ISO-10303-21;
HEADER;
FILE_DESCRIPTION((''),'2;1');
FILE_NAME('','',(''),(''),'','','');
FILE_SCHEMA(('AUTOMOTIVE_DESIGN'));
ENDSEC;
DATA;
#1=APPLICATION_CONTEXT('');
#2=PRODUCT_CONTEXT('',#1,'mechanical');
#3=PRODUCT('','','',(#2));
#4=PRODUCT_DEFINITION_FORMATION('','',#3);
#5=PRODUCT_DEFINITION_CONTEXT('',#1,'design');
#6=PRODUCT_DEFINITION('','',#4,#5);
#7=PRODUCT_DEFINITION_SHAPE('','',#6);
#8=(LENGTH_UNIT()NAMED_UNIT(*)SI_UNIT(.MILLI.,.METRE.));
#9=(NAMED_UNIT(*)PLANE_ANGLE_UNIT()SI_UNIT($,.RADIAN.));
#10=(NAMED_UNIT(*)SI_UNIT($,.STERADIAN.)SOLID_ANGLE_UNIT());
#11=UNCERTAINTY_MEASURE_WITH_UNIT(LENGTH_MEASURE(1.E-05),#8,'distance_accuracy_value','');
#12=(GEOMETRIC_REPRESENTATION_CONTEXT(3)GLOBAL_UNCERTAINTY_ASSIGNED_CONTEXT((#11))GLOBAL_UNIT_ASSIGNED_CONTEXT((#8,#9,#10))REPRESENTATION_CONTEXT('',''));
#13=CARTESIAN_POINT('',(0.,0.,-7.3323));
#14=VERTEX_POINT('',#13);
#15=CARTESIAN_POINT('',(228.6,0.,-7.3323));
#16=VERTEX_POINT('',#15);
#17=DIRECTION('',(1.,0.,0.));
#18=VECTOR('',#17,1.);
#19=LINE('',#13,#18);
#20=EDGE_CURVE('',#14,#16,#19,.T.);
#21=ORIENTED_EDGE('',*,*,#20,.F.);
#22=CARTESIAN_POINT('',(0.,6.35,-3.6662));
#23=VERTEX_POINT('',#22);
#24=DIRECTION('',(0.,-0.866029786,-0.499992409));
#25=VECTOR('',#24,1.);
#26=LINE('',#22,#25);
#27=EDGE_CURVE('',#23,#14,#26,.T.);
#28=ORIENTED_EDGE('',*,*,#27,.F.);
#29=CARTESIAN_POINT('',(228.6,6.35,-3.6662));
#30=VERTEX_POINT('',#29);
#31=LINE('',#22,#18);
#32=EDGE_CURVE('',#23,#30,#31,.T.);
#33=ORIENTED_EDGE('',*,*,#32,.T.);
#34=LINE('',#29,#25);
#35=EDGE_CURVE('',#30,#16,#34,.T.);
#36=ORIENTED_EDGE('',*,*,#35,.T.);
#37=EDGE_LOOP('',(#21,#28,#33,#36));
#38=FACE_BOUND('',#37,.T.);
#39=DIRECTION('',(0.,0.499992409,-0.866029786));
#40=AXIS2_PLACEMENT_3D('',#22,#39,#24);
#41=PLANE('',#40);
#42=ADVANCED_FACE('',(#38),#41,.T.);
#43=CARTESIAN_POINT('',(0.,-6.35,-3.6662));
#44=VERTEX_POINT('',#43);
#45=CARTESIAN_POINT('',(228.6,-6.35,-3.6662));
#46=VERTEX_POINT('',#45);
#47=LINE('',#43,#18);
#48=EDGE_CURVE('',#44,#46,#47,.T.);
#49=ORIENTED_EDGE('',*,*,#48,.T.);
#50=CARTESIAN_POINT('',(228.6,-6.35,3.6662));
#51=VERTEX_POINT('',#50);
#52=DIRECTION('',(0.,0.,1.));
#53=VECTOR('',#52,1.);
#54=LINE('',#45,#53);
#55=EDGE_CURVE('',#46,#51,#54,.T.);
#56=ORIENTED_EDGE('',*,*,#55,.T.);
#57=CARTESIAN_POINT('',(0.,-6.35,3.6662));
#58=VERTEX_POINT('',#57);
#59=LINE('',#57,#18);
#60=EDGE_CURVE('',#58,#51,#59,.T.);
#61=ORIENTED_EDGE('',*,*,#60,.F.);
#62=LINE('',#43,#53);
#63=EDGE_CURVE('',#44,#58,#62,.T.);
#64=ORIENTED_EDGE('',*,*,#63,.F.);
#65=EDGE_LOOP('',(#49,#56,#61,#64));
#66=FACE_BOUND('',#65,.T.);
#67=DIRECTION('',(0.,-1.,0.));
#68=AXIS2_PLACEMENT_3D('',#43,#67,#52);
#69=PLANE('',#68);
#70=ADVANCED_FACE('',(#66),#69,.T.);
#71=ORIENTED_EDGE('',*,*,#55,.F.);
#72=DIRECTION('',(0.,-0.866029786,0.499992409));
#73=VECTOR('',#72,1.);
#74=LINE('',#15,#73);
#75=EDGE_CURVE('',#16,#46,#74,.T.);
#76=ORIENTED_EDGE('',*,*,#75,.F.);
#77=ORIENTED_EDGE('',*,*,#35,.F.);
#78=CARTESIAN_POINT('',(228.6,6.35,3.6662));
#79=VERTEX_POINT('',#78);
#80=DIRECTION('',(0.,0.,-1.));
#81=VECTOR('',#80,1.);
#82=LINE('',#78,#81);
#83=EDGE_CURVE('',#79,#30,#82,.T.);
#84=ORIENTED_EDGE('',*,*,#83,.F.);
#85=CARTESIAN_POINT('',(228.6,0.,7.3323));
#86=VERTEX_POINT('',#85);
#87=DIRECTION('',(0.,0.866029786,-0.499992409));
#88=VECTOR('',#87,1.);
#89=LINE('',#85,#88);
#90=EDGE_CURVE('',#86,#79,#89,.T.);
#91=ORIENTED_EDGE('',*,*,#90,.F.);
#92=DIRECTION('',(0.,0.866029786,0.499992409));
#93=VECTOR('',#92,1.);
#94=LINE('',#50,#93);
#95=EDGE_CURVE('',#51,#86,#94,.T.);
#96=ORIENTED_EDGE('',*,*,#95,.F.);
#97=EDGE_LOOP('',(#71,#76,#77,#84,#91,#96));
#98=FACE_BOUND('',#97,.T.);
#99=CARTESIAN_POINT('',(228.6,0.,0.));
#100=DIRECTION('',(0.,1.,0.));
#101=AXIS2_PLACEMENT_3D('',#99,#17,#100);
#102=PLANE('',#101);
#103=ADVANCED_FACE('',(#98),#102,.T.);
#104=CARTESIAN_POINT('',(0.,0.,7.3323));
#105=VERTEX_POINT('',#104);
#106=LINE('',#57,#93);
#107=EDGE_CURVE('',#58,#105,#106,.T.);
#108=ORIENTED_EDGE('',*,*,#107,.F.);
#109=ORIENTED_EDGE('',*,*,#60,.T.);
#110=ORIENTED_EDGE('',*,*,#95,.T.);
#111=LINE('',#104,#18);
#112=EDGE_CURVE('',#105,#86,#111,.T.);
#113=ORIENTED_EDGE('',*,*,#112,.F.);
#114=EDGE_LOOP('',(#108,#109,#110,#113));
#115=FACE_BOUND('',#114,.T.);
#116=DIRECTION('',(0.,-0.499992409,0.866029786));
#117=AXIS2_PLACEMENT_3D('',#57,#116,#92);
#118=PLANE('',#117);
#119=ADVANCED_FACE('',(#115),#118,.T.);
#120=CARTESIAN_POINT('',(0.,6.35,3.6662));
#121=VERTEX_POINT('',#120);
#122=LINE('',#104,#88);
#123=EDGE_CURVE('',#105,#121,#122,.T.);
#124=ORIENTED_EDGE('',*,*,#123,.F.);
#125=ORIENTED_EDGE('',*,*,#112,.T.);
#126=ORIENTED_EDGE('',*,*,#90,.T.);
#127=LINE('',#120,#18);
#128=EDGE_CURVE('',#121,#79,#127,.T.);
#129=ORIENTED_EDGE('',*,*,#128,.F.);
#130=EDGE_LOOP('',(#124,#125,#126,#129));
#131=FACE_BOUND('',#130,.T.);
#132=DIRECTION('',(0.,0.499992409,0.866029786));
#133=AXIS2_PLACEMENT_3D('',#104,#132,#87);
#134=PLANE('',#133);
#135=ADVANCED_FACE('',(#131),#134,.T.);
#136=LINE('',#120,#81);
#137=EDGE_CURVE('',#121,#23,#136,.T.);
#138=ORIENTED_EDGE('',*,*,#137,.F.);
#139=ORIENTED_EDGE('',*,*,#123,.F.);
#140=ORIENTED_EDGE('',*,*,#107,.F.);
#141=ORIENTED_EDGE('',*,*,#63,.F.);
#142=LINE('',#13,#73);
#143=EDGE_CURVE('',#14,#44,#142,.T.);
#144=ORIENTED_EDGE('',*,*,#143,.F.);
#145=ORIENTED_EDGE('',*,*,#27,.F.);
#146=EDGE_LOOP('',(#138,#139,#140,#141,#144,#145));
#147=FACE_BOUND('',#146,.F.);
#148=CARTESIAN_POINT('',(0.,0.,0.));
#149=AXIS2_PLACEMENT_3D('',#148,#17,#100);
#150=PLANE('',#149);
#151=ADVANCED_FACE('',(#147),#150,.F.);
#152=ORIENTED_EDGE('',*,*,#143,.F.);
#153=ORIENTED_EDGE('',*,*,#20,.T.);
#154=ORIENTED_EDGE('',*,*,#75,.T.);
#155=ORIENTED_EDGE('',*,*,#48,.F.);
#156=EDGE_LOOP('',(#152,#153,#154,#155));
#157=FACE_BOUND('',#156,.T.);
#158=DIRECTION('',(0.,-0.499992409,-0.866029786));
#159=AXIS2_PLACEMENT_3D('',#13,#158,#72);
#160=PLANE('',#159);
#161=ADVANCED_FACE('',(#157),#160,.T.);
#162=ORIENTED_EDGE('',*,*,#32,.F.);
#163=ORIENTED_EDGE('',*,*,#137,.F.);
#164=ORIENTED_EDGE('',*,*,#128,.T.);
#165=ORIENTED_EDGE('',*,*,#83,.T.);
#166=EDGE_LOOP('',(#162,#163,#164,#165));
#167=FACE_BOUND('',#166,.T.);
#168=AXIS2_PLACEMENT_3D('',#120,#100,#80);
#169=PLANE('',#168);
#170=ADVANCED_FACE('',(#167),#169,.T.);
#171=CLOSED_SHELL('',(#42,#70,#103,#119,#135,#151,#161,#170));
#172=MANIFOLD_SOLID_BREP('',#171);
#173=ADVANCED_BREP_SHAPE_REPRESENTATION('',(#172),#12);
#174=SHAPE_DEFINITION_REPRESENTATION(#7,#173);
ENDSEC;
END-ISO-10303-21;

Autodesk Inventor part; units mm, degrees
ref_plane "YZ Plane" through (0, 0, 0) normal (1, 0, 0) x (0, 1, 0)
ref_plane "XZ Plane" through (0, 0, 0) normal (0, 1, 0) x (-1, 0, 0)
ref_plane "XY Plane" through (0, 0, 0) normal (0, 0, 1) x (1, 0, 0)
sketch "Sketch1" plane through (0, 0, 0) normal (1, 0, 0) x (0, 1, 0)
  line L0 (0, -7.3323) -> (-6.35, -3.6662)
  line L1 (-6.35, -3.6662) -> (-6.35, 3.6662)
  line L2 (-6.35, 3.6662) -> (0, 7.3323)
  line L3 (0, 7.3323) -> (6.35, 3.6662)
  line L4 (6.35, 3.6662) -> (6.35, -3.6662)
  line L5 (6.35, -3.6662) -> (0, -7.3323)
  point P0 (0, 0)
  point P1 (0, 0)
  dimension "d0" = 12.7
extrude "Extrusion1" add sketch "Sketch1" along normal blind 228.6
properties part number "9in-0.5inHexAxel"
